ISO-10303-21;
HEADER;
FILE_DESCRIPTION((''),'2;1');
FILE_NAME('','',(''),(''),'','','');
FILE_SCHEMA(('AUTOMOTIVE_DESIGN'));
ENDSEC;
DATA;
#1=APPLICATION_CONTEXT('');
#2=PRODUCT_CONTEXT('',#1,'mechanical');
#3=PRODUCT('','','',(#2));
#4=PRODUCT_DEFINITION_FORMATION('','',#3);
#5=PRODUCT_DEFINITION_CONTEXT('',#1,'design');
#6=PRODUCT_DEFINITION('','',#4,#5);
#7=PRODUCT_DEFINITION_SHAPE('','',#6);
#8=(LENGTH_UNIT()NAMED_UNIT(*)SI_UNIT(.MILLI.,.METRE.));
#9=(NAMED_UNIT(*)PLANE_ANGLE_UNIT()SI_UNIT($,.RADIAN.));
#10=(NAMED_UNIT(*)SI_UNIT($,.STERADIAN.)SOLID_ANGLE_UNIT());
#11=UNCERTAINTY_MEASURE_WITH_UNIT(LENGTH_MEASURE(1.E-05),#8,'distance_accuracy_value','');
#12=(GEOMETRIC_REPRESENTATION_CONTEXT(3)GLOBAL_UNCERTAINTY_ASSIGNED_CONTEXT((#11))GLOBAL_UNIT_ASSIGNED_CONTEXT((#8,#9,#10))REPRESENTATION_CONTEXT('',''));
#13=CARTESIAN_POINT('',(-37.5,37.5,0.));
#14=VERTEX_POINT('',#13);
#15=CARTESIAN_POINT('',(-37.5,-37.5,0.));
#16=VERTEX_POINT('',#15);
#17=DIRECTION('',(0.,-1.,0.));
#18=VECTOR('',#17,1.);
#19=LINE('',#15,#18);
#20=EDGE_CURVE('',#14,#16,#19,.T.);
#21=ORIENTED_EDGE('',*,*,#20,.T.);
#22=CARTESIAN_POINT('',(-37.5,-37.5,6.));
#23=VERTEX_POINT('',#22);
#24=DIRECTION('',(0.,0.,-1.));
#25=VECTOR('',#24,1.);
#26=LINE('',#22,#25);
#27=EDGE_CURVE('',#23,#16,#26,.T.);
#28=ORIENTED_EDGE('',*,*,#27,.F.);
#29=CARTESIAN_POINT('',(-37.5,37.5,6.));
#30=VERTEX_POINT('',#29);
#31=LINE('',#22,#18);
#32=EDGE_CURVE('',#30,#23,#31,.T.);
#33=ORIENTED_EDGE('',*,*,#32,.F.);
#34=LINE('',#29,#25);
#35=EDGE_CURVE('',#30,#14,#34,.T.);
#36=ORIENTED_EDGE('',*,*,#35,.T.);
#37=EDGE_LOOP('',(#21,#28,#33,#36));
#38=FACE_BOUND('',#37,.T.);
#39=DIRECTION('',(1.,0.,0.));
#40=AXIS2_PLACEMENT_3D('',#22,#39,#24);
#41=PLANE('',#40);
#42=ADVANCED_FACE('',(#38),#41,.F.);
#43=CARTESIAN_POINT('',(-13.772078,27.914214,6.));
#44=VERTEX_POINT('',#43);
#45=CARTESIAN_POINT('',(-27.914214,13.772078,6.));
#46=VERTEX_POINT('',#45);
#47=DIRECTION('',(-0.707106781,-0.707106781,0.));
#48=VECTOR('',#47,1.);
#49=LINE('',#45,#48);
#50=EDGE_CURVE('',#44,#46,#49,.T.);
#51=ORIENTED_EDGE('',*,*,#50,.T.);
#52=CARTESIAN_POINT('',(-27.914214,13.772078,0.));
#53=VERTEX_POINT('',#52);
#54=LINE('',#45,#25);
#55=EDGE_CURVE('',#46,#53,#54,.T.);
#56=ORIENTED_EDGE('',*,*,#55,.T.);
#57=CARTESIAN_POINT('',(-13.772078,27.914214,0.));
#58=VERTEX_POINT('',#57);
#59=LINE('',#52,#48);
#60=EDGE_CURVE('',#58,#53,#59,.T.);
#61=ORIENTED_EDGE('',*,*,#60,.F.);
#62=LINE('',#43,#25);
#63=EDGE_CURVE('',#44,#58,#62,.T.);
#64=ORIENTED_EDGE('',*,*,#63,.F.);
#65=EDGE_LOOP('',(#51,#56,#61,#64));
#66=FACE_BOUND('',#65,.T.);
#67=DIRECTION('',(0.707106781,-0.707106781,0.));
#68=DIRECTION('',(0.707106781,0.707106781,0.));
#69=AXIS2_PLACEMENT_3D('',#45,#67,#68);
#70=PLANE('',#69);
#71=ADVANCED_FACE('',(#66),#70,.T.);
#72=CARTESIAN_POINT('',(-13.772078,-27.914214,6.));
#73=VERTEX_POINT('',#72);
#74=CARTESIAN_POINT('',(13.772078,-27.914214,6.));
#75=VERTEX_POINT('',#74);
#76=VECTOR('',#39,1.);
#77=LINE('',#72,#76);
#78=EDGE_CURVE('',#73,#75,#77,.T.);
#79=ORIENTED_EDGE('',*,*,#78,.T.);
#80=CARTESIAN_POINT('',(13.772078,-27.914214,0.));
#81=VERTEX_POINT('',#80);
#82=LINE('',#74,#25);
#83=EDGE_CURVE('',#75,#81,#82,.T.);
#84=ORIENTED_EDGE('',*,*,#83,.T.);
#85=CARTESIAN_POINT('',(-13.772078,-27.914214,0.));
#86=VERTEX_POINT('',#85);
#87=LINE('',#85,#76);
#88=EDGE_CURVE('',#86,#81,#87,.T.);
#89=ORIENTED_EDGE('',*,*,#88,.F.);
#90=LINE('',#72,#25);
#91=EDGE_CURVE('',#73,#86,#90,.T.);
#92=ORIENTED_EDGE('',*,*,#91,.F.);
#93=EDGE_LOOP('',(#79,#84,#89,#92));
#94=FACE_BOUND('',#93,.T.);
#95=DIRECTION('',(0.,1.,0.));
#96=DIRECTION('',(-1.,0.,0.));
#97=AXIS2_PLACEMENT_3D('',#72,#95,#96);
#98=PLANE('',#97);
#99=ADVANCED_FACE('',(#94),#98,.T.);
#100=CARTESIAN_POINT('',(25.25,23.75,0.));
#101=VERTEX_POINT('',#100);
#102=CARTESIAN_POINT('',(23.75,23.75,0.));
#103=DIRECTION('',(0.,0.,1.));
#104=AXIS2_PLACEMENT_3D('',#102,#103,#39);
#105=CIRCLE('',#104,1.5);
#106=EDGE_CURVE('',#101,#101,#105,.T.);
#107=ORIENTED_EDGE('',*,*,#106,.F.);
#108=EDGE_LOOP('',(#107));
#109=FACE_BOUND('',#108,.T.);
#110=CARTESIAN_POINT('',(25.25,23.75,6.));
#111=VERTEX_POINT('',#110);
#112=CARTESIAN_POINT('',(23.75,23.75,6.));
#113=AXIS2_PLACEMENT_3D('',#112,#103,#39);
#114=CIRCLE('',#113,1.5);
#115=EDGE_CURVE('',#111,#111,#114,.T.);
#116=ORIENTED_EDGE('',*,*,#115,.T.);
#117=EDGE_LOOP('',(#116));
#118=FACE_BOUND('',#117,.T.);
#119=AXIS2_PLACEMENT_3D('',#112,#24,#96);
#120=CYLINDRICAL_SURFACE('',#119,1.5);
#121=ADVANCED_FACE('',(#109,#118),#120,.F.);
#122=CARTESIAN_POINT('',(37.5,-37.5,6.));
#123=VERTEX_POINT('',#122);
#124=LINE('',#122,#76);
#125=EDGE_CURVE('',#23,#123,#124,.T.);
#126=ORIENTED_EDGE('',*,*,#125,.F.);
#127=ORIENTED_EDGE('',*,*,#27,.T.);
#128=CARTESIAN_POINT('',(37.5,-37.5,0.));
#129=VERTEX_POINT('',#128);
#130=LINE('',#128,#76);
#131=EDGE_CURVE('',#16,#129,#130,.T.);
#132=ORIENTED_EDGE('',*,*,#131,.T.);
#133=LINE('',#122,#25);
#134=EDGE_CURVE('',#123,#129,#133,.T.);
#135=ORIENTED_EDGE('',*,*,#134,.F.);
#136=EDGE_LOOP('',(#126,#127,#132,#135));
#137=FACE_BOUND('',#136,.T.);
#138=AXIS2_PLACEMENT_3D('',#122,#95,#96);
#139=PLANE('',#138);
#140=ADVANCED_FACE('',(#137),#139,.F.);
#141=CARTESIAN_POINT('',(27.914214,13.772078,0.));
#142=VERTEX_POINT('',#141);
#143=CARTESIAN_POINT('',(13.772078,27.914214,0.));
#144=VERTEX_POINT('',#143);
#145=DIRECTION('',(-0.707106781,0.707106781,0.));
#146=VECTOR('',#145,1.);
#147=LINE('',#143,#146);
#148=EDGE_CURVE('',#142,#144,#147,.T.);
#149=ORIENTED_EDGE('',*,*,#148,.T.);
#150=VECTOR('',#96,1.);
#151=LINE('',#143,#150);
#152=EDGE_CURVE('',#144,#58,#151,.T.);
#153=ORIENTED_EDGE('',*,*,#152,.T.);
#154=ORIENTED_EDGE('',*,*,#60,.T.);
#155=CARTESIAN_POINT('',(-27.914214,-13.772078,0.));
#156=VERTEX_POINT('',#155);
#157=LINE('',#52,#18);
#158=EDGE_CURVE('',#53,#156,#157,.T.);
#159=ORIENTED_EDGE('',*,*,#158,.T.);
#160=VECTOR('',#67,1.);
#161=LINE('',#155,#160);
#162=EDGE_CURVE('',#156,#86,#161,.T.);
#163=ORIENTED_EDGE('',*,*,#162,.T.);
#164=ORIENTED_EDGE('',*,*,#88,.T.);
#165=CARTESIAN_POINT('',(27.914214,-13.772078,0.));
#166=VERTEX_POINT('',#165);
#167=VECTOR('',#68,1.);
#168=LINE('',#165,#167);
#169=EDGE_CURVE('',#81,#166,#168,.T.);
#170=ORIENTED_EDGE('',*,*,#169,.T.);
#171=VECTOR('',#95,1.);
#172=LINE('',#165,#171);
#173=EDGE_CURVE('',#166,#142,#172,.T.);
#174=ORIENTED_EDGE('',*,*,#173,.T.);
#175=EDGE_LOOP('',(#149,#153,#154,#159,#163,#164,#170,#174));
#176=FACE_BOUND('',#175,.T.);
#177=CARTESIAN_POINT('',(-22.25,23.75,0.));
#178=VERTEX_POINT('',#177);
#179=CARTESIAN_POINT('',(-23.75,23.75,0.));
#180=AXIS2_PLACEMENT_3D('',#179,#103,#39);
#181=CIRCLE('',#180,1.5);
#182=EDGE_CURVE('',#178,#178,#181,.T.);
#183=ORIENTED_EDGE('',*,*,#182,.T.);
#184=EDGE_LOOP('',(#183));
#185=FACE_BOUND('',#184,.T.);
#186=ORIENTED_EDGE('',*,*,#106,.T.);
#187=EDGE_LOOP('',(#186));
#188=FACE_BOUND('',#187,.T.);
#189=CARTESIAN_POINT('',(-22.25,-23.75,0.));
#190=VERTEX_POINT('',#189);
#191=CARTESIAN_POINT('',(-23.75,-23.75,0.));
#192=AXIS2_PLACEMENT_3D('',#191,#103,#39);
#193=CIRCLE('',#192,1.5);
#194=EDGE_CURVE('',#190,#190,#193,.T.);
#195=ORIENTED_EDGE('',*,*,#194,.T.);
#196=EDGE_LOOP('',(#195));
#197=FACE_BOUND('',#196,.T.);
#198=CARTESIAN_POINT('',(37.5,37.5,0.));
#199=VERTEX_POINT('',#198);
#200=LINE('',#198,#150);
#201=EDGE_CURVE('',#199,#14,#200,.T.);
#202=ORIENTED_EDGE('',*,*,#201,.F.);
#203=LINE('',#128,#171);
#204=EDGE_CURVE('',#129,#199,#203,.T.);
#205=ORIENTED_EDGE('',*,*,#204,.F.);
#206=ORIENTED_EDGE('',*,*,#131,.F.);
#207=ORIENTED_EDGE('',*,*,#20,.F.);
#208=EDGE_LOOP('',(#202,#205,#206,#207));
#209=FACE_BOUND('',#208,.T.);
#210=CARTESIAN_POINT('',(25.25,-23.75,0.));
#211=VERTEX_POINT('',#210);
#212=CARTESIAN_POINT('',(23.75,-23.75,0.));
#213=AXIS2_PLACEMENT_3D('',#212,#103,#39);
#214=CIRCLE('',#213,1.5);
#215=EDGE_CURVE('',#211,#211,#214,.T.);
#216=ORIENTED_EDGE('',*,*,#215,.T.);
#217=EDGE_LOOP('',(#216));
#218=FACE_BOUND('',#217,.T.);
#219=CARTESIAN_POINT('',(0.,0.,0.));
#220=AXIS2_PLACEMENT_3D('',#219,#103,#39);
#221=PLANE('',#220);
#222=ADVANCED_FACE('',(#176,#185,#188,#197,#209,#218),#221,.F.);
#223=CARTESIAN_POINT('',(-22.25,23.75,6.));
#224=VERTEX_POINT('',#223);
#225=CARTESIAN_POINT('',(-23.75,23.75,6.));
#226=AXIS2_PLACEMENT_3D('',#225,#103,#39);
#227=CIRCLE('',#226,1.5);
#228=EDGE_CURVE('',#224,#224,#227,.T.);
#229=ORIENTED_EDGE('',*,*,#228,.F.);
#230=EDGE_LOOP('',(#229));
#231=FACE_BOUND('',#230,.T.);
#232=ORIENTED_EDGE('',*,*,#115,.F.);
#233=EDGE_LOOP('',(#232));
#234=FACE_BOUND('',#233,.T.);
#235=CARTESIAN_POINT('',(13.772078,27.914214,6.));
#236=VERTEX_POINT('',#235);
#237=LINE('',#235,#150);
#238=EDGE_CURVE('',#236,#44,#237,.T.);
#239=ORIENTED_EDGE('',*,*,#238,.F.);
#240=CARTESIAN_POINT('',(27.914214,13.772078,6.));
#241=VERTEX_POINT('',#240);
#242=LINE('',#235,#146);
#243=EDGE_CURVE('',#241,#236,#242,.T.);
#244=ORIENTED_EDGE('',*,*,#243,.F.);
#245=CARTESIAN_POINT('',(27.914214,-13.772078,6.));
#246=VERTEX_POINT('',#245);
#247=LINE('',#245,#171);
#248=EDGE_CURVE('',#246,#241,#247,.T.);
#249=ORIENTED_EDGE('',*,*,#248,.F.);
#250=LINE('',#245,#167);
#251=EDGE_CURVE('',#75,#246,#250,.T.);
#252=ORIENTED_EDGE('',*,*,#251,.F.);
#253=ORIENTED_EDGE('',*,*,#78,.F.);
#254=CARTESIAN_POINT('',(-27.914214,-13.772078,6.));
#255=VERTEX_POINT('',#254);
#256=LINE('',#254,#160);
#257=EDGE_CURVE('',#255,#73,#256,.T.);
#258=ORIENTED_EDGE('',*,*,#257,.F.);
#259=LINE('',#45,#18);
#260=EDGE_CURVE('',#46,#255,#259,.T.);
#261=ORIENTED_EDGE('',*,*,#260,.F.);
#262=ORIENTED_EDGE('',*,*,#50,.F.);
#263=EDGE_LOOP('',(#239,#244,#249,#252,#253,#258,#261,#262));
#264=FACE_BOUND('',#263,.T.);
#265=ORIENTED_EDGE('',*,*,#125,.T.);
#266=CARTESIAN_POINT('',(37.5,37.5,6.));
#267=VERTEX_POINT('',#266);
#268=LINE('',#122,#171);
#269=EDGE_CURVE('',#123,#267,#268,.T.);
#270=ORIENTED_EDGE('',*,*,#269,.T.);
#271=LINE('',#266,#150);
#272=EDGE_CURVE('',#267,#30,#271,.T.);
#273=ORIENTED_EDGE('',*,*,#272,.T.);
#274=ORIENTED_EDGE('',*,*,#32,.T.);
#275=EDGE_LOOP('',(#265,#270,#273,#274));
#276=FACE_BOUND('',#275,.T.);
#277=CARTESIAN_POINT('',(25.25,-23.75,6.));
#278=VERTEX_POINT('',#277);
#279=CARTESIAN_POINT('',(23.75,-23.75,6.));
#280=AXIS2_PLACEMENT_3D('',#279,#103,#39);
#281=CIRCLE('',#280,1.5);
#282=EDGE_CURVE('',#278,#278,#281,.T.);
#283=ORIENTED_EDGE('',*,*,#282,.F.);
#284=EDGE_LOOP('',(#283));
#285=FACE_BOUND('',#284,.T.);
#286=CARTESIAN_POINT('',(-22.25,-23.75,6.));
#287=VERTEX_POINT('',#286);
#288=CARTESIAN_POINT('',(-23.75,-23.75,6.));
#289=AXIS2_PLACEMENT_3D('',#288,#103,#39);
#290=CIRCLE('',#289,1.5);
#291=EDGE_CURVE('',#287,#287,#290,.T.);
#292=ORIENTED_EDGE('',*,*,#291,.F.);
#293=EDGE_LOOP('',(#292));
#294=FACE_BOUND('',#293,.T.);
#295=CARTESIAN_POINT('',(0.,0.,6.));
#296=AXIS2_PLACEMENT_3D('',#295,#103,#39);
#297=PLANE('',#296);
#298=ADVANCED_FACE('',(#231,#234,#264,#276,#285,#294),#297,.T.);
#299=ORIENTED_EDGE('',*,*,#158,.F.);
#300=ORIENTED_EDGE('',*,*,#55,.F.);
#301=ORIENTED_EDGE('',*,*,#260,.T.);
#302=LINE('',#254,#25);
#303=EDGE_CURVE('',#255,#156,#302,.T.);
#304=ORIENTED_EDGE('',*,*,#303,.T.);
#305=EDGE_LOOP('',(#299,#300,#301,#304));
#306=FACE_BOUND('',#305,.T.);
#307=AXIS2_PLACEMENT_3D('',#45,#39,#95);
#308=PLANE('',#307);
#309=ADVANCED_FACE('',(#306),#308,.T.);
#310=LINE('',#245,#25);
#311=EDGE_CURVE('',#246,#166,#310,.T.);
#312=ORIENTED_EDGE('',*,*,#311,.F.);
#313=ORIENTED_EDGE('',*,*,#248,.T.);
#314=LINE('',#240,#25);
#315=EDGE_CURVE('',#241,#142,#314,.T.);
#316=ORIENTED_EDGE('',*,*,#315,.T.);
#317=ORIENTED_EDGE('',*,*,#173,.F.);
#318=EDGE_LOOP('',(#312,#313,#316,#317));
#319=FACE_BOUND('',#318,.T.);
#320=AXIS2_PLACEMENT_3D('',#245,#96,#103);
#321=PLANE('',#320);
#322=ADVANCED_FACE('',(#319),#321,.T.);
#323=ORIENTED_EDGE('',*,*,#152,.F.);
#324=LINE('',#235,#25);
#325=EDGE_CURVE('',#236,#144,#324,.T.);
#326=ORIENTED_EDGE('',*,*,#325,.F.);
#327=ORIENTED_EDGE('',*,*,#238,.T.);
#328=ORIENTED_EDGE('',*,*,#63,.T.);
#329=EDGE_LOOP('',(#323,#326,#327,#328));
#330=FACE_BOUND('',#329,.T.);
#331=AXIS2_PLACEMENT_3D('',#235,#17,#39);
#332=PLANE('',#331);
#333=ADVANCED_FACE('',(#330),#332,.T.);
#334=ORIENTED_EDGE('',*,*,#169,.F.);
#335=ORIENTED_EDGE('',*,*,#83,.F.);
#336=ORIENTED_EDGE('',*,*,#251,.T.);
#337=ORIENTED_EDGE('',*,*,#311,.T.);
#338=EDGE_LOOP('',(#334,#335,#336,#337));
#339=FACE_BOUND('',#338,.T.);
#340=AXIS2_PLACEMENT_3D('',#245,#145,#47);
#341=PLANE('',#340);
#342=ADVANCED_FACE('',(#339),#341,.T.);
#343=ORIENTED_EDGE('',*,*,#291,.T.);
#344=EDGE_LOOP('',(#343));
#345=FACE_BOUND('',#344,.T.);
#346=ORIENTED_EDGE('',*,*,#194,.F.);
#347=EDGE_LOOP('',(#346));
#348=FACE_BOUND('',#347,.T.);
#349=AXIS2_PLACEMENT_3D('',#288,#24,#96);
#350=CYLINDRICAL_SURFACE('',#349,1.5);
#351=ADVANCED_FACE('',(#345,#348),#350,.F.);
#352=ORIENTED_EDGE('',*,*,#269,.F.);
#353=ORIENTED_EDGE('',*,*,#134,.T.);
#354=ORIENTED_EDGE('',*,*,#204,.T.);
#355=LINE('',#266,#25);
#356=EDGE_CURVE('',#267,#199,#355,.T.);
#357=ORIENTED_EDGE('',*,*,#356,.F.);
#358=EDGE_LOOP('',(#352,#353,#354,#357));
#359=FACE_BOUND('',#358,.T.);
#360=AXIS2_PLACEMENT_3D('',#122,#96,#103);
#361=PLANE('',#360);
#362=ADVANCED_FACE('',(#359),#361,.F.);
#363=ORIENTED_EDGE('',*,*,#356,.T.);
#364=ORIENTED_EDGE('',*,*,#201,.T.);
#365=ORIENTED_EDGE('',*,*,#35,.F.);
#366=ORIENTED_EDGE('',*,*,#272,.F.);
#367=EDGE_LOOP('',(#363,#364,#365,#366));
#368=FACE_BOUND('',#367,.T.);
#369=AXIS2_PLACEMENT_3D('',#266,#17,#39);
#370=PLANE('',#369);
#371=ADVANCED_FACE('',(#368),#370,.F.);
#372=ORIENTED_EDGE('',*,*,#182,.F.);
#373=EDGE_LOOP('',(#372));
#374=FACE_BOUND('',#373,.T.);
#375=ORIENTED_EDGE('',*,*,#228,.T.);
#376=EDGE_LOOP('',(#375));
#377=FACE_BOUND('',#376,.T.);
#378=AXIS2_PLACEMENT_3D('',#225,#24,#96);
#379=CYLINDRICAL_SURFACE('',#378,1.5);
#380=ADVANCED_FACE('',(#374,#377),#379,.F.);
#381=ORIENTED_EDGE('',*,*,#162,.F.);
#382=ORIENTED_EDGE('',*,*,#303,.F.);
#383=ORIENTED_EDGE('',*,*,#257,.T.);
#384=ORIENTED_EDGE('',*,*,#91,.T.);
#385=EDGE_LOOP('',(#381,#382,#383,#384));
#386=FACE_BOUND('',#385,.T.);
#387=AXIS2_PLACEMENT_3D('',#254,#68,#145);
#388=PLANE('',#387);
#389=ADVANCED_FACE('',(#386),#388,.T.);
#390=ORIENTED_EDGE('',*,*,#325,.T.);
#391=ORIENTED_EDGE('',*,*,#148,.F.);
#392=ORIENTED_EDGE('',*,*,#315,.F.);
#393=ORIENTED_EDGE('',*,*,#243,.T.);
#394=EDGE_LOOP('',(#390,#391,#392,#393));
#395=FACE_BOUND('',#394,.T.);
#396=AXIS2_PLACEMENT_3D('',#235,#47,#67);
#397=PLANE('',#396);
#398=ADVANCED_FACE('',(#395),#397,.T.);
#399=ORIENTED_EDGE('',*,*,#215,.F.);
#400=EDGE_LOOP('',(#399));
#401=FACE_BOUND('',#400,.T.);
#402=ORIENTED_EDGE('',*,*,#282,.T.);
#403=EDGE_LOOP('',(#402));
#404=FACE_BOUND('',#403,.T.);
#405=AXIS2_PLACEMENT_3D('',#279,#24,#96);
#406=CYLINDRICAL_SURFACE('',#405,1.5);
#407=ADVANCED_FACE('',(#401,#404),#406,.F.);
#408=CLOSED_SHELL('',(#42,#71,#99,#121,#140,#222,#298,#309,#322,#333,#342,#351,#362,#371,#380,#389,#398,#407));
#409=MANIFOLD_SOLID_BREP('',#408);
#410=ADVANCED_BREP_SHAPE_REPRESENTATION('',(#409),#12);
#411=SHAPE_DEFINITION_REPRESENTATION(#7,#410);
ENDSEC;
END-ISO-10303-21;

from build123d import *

# Parameters (mm, degrees)
SKETCH1_W           = 75
SKETCH1_H           = 75
SKETCH1_R           = 1.5
BOSS_EXTRUDE1_DEPTH = 6


with BuildPart() as part:
    # Sketch1 → Boss-Extrude1 (new body)
    with BuildSketch(Plane.XY):
        Rectangle(SKETCH1_W, SKETCH1_H)
        with Locations((-23.75, 23.75)):
            Circle(SKETCH1_R, mode=Mode.SUBTRACT)
        with Locations((23.75, 23.75)):
            Circle(SKETCH1_R, mode=Mode.SUBTRACT)
        with Locations((23.75, -23.75)):
            Circle(SKETCH1_R, mode=Mode.SUBTRACT)
        with Locations((-23.75, -23.75)):
            Circle(SKETCH1_R, mode=Mode.SUBTRACT)
        Polygon((-27.914213562, 13.772077939), (-13.772077939, 27.914213562), (13.772077939, 27.914213562), (27.914213562, 13.772077939), (27.914213562, -13.772077939), (13.772077939, -27.914213562), (-13.772077939, -27.914213562), (-27.914213562, -13.772077939), align=None, mode=Mode.SUBTRACT)
    extrude(amount=BOSS_EXTRUDE1_DEPTH)


solid = part.part
